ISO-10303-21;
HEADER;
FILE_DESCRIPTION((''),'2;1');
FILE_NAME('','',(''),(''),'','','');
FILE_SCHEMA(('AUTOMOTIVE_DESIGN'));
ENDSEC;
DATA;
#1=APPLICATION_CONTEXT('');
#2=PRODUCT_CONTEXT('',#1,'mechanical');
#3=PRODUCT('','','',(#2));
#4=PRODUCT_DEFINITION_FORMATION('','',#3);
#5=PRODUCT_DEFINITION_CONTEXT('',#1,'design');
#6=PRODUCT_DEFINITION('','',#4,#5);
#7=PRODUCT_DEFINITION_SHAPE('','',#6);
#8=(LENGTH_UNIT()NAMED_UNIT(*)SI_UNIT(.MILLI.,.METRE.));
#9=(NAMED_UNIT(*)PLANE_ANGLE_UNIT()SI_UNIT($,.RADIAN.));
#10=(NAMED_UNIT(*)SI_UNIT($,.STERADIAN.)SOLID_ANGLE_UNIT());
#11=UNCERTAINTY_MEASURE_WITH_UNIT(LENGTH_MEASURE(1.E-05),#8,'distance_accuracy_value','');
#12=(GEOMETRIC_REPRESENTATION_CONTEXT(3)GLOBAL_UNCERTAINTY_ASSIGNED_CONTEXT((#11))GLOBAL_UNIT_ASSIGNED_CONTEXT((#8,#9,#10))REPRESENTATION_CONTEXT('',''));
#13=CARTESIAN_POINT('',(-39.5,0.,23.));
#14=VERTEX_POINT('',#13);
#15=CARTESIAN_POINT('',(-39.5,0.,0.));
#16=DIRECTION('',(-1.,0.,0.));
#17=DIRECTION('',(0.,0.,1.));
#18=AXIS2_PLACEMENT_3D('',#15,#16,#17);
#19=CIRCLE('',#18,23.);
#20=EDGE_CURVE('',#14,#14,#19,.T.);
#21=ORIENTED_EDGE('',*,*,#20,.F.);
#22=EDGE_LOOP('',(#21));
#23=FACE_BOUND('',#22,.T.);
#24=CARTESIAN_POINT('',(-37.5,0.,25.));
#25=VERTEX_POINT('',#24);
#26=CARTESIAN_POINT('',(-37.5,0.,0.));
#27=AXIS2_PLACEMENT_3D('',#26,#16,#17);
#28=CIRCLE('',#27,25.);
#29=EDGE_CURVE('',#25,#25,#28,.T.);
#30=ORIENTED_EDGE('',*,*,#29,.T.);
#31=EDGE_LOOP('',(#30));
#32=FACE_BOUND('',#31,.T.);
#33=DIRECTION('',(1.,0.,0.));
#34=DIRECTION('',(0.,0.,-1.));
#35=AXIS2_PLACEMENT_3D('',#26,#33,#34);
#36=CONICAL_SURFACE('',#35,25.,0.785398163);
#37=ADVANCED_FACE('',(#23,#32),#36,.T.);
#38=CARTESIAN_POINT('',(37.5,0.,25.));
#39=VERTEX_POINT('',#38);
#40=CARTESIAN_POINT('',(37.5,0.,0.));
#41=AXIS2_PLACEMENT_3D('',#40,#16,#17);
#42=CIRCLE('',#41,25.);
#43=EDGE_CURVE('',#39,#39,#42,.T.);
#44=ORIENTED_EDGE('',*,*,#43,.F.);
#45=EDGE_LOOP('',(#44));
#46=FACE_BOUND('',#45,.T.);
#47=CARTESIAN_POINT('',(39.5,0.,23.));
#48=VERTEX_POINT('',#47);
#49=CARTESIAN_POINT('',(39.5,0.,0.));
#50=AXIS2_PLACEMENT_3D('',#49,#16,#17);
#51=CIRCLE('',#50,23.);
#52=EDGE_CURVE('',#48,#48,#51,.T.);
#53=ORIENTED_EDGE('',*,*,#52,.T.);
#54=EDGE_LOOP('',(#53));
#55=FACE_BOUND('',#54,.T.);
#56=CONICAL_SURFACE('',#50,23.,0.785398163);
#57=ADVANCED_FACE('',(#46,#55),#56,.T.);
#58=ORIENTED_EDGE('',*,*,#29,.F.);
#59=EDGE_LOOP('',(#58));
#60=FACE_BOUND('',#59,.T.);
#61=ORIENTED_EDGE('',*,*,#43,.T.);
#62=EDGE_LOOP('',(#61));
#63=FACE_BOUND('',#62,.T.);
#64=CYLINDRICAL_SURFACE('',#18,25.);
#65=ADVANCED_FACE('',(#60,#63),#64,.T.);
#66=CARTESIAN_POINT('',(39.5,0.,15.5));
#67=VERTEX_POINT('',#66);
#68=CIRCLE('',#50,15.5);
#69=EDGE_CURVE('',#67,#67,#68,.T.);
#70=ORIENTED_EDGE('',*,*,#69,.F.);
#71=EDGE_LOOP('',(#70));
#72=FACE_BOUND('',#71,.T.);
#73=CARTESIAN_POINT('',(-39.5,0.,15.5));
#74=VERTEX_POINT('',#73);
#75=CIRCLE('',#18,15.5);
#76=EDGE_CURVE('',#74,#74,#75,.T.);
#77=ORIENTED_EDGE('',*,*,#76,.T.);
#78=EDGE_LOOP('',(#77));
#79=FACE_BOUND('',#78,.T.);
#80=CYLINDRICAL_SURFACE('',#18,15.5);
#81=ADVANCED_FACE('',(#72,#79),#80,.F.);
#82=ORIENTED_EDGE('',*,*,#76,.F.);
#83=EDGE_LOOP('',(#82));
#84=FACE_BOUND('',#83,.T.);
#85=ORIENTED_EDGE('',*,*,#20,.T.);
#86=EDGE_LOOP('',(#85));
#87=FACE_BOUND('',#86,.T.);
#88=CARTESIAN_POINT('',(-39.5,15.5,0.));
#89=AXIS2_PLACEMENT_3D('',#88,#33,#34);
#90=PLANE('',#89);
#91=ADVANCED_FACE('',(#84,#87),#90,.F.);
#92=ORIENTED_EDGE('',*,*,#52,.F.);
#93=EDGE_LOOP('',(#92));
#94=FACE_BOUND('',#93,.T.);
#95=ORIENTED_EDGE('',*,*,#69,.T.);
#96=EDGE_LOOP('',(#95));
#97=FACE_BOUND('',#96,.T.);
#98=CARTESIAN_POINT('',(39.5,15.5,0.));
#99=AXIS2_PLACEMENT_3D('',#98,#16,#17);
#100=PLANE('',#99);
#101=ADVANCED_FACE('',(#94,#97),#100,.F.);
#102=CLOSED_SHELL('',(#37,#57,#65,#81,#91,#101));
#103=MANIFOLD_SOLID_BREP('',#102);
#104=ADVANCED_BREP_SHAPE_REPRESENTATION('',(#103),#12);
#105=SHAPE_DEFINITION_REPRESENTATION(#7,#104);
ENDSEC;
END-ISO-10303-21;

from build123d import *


with BuildPart() as part:
    # Esboço1 → Revolução1 (revolve)
    with BuildSketch(Plane.XY, mode=Mode.PRIVATE) as revolu_o1_sk:
        Polygon((-39.5, 23), (-37.5, 25), (37.5, 25), (39.5, 23), (39.5, 15.5), (-39.5, 15.5), align=None)
    revolve(revolu_o1_sk.sketch.rotate(Axis((-39.5, 0, 0), (1, 0, 0)), 90), axis=Axis((-39.5, 0, 0), (1, 0, 0)))


solid = part.part
